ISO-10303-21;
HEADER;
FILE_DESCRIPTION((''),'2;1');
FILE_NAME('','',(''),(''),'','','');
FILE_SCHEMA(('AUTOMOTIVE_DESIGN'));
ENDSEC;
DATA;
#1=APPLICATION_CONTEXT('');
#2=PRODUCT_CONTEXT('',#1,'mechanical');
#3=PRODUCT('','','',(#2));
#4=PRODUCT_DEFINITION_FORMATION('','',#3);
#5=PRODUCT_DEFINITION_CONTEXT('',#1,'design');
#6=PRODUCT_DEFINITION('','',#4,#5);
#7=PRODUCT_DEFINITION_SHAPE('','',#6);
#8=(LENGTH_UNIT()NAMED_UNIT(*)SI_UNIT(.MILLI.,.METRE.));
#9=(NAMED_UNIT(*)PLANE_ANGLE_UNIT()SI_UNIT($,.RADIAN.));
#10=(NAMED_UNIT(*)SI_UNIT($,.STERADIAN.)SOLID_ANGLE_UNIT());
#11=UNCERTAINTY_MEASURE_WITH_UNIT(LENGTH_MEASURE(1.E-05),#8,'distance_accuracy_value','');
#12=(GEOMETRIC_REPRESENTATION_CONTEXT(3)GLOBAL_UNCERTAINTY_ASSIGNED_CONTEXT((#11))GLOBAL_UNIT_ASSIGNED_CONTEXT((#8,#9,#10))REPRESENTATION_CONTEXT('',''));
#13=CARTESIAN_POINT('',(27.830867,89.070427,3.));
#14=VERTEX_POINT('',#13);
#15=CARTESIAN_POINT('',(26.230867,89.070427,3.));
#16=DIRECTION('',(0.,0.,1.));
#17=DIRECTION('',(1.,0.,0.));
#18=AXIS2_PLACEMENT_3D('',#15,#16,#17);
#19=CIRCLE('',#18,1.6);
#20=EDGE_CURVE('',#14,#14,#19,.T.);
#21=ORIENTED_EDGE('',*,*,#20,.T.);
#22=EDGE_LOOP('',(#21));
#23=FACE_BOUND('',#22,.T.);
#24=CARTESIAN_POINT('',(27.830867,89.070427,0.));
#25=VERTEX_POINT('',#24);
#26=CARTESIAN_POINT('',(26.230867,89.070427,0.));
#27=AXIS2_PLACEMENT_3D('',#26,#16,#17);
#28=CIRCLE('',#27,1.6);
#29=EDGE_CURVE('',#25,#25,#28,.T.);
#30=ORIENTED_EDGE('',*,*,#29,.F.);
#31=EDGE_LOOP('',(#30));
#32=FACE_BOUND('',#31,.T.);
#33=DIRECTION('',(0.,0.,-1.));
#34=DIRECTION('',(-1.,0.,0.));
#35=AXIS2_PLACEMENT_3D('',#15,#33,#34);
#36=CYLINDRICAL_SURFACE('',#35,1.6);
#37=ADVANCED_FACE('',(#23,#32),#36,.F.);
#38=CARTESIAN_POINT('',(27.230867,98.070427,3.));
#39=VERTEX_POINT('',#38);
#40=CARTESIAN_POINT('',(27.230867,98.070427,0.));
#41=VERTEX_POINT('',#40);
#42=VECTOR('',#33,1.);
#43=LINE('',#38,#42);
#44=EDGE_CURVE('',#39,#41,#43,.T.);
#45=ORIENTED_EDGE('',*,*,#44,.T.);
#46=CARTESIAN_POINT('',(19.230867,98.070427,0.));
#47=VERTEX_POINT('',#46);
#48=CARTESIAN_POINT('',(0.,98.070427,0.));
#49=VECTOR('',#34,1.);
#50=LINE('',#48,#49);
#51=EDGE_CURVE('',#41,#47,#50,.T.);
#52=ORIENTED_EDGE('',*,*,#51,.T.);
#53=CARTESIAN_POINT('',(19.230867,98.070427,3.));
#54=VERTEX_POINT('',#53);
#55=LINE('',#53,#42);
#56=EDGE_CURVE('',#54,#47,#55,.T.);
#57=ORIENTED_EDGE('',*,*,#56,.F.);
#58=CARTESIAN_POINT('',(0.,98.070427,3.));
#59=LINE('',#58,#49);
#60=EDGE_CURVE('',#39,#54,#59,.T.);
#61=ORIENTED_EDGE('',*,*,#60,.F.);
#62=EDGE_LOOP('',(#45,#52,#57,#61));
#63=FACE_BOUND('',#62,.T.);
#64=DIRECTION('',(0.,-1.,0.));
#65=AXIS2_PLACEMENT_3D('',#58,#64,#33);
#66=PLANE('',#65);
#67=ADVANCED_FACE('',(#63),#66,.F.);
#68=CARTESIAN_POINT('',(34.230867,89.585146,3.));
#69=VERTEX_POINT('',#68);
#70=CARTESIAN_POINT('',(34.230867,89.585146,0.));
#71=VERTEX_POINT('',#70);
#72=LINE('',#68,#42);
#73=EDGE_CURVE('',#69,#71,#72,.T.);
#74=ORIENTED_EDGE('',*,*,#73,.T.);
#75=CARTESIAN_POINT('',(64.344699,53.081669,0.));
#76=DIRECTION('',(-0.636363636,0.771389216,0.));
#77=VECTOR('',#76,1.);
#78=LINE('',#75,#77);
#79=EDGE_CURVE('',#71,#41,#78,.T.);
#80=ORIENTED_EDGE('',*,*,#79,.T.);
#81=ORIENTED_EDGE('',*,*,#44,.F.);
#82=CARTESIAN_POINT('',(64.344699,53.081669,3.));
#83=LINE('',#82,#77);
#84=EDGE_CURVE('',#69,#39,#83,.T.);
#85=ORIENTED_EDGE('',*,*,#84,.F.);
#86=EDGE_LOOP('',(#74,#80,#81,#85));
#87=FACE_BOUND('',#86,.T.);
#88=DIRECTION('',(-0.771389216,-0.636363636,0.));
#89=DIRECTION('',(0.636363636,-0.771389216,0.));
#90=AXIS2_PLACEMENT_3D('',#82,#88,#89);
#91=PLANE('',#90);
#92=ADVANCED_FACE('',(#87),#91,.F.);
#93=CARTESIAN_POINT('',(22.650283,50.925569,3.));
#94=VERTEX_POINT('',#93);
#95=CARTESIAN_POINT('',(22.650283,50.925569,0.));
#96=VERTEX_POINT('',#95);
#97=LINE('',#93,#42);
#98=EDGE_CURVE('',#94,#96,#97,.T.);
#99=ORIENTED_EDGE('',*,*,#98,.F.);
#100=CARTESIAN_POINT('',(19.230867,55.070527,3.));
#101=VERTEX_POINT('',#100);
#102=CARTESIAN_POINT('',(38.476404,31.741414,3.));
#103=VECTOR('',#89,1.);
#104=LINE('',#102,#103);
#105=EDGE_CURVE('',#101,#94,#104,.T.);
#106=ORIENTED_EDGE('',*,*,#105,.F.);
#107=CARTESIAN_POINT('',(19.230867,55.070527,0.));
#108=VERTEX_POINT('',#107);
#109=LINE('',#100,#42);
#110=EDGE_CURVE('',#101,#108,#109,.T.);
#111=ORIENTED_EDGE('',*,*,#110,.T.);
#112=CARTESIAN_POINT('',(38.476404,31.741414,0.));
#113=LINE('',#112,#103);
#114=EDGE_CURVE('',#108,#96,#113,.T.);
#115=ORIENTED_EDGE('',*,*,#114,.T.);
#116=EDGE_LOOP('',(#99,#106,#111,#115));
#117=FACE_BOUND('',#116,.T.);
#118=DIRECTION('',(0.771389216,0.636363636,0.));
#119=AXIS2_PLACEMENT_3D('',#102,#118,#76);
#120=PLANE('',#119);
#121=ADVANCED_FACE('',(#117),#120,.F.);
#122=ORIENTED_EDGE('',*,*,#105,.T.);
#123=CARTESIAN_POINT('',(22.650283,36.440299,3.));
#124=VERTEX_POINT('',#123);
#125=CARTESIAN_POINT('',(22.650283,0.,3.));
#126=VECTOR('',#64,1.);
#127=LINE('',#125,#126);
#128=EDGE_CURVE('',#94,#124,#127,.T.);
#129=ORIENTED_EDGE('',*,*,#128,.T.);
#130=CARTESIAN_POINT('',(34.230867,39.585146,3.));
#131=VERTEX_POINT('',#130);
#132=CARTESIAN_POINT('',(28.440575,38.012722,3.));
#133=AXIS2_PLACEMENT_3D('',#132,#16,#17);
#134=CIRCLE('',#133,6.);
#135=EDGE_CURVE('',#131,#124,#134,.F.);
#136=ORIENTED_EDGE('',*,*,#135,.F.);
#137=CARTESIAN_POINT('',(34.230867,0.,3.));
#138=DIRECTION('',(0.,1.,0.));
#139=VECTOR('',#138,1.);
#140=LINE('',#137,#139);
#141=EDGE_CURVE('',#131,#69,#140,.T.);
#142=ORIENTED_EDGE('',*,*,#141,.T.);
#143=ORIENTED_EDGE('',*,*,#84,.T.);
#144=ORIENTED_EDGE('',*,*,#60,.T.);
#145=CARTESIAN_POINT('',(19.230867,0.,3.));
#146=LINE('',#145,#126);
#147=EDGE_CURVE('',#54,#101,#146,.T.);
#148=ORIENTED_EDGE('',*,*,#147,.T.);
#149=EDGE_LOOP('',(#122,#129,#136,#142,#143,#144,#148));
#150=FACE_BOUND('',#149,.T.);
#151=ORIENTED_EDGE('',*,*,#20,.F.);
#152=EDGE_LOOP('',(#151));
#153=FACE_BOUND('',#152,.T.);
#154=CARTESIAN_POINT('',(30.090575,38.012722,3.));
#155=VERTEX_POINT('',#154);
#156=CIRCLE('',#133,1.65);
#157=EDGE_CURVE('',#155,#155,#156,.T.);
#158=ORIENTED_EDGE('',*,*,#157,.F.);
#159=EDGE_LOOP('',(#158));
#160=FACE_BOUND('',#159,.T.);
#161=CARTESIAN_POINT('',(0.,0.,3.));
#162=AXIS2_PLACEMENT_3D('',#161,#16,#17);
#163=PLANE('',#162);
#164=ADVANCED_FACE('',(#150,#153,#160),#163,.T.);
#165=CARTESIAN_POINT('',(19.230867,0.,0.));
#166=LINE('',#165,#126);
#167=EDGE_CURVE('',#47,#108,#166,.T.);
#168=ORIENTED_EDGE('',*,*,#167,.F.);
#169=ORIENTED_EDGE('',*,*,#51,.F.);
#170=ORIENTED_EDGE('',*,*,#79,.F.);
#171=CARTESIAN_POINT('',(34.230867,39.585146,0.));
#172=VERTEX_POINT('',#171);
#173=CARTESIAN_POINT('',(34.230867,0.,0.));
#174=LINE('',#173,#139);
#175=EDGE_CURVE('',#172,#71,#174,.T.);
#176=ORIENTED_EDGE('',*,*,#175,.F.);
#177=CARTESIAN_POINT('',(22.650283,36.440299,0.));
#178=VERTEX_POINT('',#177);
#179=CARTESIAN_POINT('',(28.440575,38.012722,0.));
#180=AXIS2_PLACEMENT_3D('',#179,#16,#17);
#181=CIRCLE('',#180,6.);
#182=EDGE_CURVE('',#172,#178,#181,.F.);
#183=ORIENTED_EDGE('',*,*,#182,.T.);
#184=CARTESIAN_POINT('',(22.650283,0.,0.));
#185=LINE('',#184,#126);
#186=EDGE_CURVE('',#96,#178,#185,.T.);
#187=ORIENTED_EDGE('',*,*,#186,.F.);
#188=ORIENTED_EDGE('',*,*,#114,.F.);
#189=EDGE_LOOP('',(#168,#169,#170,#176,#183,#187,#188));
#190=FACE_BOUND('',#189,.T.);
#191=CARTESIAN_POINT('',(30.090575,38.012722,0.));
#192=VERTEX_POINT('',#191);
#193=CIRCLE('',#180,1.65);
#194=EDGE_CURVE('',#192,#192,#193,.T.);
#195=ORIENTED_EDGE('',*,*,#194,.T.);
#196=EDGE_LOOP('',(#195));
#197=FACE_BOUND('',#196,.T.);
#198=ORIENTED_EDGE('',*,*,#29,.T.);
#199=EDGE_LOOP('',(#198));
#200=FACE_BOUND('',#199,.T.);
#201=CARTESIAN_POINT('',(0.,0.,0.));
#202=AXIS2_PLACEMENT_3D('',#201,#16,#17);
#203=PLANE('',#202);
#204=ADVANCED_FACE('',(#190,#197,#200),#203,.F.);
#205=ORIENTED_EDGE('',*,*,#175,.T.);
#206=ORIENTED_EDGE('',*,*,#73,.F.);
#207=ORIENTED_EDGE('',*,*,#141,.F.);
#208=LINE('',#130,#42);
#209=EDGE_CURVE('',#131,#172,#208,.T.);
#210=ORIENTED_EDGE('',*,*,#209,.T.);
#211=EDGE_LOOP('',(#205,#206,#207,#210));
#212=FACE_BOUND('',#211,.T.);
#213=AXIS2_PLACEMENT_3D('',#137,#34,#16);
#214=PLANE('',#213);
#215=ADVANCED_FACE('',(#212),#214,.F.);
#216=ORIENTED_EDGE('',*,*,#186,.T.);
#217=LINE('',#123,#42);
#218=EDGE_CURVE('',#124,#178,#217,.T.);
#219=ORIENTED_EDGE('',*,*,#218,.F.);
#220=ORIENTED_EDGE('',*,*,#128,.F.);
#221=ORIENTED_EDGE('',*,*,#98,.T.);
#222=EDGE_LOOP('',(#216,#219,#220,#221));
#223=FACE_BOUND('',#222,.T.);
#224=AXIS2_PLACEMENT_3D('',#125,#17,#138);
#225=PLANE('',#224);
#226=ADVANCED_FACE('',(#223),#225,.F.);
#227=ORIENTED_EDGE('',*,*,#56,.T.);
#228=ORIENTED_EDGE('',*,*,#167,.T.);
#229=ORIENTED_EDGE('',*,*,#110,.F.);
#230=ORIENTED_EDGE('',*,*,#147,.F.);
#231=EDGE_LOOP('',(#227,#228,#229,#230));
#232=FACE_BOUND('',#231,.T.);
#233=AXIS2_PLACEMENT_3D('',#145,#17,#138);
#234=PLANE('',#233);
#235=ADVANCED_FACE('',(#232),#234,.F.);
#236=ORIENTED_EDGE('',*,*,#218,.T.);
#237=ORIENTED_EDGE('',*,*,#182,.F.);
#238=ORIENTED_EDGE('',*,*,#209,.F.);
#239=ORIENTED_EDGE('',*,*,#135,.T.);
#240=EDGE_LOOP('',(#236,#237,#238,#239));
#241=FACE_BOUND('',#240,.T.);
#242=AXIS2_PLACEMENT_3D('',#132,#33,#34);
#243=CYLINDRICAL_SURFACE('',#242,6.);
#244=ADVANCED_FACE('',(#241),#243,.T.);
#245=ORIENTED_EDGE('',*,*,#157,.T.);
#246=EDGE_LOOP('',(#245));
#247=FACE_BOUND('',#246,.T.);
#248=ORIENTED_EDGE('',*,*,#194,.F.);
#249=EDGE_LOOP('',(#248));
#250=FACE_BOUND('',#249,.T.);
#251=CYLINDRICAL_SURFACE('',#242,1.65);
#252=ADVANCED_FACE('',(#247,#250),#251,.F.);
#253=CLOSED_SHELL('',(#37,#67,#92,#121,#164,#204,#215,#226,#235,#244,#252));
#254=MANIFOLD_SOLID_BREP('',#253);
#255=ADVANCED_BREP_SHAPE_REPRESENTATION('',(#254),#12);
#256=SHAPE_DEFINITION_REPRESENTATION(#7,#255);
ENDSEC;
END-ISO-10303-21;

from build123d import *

# Parameters (mm, degrees)
SKETCH1_R           = 1.65
SKETCH1_R_2         = 1.6
BOSS_EXTRUDE1_DEPTH = 3


with BuildPart() as part:
    # Sketch1 → Boss-Extrude1 (new body)
    with BuildSketch(Plane.XY):
        with BuildLine():
            Line((22.650283011, 50.925569007), (22.650283011, 36.440298517))
            ThreePointArc((22.650283011, 36.440298517), (30.012998862, 32.222429945), (34.230867434, 39.585145796))
            Line((34.230867434, 39.585145796), (34.230867434, 89.585145796))
            Line((34.230867434, 89.585145796), (27.230867434, 98.07042717))
            Line((27.230867434, 98.07042717), (19.230867434, 98.07042717))
            Line((19.230867434, 98.07042717), (19.230867434, 55.070526621))
            Line((19.230867434, 55.070526621), (22.650283011, 50.925569007))
        make_face()
        with Locations((28.440575223, 38.012722157)):
            Circle(SKETCH1_R, mode=Mode.SUBTRACT)
        with Locations((26.230867434, 89.07042717)):
            Circle(SKETCH1_R_2, mode=Mode.SUBTRACT)
    extrude(amount=BOSS_EXTRUDE1_DEPTH)


solid = part.part
